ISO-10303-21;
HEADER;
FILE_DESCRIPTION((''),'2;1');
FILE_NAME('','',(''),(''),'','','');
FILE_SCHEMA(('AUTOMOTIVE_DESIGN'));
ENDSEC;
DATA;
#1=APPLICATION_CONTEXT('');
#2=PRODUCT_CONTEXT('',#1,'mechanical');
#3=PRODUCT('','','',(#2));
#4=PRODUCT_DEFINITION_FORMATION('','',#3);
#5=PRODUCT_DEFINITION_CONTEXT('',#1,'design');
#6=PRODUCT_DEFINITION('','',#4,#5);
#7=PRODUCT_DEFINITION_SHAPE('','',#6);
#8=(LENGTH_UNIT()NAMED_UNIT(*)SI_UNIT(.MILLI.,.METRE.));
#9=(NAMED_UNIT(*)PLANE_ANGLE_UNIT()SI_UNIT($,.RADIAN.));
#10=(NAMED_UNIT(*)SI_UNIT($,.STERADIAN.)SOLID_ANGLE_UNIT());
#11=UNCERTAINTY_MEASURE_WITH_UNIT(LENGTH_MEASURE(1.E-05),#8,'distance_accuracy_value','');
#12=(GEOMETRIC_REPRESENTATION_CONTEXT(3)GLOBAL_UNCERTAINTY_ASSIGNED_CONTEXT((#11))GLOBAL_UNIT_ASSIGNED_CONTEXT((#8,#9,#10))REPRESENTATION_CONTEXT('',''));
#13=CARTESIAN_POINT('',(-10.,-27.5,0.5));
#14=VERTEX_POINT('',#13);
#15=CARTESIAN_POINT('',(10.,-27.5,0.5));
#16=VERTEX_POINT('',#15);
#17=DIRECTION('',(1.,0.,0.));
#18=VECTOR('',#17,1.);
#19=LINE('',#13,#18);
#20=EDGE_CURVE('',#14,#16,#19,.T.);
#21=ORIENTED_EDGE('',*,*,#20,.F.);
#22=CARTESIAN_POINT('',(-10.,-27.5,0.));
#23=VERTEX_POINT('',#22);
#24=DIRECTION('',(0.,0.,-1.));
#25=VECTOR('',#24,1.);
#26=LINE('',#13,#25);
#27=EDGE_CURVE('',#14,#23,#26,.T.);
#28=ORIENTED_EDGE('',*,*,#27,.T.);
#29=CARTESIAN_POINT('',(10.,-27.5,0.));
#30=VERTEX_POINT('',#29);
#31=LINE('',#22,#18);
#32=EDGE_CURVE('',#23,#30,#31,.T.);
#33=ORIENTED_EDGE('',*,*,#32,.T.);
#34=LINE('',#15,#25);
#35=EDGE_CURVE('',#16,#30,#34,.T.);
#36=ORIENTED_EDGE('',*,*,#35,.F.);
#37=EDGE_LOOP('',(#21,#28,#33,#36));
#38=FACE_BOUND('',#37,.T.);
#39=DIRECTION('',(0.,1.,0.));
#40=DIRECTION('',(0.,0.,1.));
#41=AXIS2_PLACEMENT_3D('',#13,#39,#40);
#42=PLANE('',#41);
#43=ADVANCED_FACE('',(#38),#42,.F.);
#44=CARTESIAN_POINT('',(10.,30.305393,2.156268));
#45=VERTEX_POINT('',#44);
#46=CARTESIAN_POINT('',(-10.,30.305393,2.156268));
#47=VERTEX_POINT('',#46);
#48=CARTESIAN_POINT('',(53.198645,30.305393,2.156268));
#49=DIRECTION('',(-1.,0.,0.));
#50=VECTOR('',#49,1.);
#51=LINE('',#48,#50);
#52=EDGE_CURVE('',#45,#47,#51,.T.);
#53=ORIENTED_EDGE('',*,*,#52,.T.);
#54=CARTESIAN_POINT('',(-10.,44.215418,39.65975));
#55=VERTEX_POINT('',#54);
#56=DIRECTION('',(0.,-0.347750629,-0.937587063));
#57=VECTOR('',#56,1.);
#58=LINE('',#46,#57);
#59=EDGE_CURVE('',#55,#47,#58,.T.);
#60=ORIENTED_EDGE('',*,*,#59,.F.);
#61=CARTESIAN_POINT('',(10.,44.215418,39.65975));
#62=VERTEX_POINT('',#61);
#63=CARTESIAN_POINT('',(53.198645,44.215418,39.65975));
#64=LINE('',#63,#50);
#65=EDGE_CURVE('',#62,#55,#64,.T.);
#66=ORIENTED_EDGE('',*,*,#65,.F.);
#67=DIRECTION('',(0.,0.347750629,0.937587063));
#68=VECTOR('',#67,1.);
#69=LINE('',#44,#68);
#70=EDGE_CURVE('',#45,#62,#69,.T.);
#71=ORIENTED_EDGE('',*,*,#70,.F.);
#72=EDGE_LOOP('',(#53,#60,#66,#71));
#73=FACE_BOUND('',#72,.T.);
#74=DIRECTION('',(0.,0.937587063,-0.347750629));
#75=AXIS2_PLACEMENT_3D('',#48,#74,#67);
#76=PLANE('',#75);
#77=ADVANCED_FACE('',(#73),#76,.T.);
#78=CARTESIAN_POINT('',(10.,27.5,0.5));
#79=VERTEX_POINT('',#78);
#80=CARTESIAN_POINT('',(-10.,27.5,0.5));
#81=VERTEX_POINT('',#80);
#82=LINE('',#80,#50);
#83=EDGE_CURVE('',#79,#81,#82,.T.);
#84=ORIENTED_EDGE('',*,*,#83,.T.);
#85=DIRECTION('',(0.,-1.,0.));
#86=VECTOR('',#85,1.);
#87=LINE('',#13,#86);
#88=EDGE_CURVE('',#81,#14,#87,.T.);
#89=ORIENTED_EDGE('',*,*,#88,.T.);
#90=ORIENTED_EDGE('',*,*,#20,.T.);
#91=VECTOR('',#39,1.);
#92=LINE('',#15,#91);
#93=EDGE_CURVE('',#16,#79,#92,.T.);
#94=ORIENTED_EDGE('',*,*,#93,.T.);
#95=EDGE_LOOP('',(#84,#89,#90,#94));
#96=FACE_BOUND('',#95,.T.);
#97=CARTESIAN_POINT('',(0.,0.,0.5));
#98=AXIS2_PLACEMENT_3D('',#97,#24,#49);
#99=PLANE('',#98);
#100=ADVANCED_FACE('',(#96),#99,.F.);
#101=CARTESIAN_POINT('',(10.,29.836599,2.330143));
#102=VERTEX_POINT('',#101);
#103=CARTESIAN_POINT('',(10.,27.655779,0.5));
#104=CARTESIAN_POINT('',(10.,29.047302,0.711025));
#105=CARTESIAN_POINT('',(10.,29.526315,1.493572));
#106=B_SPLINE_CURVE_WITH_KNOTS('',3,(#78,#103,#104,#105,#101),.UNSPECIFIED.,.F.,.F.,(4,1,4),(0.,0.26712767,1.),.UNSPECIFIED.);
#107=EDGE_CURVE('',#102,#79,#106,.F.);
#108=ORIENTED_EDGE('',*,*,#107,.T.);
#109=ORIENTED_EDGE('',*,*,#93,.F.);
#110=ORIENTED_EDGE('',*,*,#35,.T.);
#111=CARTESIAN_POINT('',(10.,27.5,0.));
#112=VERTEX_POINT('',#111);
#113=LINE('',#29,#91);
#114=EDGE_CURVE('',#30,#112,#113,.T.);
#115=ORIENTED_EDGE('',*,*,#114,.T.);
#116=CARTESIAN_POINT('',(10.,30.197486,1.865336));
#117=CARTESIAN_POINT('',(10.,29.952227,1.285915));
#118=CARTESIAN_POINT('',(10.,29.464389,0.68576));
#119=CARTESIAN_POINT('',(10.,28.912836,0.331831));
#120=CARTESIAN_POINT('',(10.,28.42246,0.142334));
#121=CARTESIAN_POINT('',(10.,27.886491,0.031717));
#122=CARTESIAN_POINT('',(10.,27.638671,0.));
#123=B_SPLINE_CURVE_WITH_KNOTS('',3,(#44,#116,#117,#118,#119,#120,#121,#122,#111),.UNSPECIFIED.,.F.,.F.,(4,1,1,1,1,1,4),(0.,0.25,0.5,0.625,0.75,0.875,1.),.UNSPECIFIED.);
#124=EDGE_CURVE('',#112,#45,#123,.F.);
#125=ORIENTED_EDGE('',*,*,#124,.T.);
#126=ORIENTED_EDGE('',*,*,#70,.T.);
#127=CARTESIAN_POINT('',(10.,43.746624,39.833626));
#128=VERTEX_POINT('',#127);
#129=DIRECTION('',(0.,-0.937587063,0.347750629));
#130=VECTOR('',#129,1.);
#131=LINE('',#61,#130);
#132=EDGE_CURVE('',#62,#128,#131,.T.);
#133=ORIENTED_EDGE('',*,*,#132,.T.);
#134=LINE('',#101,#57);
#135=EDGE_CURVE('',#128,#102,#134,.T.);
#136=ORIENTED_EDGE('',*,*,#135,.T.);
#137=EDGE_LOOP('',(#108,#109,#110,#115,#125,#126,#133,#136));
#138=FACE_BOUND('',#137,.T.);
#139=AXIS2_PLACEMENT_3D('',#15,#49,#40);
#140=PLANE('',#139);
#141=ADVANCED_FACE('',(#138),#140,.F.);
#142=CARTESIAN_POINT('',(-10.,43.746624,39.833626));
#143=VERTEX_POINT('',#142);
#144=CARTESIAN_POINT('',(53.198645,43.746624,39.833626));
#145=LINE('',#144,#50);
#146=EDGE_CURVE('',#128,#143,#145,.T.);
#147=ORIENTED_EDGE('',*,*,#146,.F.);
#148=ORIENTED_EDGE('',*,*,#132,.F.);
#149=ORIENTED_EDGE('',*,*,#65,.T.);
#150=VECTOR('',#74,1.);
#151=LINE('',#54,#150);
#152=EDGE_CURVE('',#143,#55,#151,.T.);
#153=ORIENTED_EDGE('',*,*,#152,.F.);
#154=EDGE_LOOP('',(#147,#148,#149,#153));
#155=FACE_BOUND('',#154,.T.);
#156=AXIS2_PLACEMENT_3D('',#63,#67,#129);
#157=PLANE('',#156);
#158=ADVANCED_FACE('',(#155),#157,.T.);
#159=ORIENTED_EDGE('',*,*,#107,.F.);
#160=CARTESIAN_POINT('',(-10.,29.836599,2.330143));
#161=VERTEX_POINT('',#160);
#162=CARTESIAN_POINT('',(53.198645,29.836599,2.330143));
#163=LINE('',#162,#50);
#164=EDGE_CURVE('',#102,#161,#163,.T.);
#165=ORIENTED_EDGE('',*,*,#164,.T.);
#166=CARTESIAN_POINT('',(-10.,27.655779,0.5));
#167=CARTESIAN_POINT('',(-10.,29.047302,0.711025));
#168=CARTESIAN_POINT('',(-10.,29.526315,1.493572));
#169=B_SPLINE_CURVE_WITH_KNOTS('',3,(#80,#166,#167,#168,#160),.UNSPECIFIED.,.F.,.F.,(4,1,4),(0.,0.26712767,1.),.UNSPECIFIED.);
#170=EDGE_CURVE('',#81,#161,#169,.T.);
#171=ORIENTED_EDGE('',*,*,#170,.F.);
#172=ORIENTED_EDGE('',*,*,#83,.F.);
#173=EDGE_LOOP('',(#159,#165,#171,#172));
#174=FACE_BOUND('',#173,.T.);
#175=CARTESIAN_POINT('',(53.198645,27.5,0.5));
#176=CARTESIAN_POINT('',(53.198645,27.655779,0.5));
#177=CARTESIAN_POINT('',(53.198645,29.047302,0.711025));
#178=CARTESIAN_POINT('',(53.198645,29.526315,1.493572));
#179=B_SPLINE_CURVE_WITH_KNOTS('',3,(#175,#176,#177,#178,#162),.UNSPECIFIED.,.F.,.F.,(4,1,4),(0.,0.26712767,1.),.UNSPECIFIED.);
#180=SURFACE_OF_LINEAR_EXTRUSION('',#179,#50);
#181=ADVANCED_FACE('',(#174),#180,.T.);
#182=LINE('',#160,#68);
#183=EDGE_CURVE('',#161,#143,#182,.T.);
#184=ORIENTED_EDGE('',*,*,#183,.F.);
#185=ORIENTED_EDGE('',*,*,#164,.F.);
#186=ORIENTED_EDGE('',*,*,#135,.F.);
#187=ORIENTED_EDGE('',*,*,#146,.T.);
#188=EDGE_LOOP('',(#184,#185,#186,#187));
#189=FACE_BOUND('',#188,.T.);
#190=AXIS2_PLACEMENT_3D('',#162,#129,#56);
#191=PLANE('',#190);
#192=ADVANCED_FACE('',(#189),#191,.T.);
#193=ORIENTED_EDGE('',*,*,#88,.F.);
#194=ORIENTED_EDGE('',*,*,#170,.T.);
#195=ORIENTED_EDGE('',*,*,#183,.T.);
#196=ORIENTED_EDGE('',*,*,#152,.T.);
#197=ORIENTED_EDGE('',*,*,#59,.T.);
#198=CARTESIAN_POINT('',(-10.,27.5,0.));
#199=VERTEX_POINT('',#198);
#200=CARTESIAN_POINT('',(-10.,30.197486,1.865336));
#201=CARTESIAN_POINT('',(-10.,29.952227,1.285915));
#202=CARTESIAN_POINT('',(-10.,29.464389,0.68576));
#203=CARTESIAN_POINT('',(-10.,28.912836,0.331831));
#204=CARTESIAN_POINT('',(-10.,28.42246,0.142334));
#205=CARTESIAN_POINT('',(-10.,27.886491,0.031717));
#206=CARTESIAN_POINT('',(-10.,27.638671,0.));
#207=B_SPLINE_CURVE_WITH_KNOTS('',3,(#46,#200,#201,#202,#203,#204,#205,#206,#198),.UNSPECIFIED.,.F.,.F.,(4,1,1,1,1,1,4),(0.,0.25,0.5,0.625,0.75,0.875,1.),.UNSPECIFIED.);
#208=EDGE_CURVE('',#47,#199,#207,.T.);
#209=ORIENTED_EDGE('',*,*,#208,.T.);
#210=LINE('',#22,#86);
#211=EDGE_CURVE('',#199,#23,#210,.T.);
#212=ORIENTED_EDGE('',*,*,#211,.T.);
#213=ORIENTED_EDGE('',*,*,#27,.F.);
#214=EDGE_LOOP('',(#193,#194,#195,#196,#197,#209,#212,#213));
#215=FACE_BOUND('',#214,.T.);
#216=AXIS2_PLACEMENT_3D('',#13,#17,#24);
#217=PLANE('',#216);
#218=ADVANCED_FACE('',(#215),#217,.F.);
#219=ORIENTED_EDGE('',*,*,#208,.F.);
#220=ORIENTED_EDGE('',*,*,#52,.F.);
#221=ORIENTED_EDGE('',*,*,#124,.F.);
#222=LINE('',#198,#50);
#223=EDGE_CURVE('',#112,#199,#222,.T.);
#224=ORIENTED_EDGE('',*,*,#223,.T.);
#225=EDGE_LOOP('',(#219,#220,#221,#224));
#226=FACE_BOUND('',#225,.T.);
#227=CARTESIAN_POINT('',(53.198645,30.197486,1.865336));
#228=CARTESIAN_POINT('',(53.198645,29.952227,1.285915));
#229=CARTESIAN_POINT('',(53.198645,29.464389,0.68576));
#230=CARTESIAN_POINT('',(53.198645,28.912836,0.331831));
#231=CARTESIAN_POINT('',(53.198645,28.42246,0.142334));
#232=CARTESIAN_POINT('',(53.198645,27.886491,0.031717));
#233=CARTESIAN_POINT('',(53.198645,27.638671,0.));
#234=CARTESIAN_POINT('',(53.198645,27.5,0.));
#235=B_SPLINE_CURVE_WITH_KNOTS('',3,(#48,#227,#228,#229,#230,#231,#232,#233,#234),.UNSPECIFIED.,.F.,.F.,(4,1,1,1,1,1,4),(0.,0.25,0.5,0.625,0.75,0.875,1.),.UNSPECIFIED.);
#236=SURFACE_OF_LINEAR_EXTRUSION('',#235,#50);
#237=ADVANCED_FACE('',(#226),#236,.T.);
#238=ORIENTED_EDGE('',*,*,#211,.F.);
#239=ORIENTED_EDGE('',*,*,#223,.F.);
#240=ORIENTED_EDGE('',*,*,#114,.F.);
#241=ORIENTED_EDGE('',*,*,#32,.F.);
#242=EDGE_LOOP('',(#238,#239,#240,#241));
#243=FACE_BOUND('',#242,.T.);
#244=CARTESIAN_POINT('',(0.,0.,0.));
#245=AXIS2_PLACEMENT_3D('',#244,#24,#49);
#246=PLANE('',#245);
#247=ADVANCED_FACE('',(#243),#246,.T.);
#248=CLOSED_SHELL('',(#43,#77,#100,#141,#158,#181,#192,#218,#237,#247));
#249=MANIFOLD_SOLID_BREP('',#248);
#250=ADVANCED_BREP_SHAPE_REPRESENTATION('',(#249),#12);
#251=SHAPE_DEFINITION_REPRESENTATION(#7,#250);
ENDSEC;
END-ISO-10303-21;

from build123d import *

# Parameters (mm, degrees)
SKETCH_1_W      = 20
SKETCH_1_H      = 55
EXTRUDE_1_DEPTH = 0.5
EXTRUDE_2_DEPTH = 20


with BuildPart() as part:
    # 草图1 → 凸台-拉伸1 (new body)
    with BuildSketch(Plane.XY):
        Rectangle(SKETCH_1_W, SKETCH_1_H)
    extrude(amount=EXTRUDE_1_DEPTH)

    # 草图2 → 凸台-拉伸2 (add)
    with BuildSketch(Plane.ZY.offset(10)):
        with BuildLine():
            Line((2.156267732, 30.305392831), (39.659750235, 44.215417999))
            Line((39.659750235, 44.215417999), (39.833625549, 43.746624468))
            Line((39.833625549, 43.746624468), (2.330143047, 29.8365993))
            add(Edge.make_bspline(
                [(0.5, 27.5), (0.5, 27.655778728), (0.711024801, 29.04730174), (1.493571631, 29.52631533), (2.330143047, 29.8365993)],
                knots=[0, 0, 0, 0, 0.26712767, 1, 1, 1, 1], degree=3))
            Line((0.5, 27.5), (0, 27.5))
            add(Edge.make_bspline(
                [(0, 27.5), (0, 27.638670788), (0.031716688, 27.88649079), (0.142334357, 28.422460253), (0.331831028, 28.912835815), (0.685759589, 29.46438852), (1.285915439, 29.952226685), (1.865336089, 30.197486413), (2.156267732, 30.305392831)],
                knots=[0, 0, 0, 0, 0.125, 0.25, 0.375, 0.5, 0.75, 1, 1, 1, 1], degree=3))
        make_face()
    extrude(amount=-EXTRUDE_2_DEPTH)


solid = part.part
